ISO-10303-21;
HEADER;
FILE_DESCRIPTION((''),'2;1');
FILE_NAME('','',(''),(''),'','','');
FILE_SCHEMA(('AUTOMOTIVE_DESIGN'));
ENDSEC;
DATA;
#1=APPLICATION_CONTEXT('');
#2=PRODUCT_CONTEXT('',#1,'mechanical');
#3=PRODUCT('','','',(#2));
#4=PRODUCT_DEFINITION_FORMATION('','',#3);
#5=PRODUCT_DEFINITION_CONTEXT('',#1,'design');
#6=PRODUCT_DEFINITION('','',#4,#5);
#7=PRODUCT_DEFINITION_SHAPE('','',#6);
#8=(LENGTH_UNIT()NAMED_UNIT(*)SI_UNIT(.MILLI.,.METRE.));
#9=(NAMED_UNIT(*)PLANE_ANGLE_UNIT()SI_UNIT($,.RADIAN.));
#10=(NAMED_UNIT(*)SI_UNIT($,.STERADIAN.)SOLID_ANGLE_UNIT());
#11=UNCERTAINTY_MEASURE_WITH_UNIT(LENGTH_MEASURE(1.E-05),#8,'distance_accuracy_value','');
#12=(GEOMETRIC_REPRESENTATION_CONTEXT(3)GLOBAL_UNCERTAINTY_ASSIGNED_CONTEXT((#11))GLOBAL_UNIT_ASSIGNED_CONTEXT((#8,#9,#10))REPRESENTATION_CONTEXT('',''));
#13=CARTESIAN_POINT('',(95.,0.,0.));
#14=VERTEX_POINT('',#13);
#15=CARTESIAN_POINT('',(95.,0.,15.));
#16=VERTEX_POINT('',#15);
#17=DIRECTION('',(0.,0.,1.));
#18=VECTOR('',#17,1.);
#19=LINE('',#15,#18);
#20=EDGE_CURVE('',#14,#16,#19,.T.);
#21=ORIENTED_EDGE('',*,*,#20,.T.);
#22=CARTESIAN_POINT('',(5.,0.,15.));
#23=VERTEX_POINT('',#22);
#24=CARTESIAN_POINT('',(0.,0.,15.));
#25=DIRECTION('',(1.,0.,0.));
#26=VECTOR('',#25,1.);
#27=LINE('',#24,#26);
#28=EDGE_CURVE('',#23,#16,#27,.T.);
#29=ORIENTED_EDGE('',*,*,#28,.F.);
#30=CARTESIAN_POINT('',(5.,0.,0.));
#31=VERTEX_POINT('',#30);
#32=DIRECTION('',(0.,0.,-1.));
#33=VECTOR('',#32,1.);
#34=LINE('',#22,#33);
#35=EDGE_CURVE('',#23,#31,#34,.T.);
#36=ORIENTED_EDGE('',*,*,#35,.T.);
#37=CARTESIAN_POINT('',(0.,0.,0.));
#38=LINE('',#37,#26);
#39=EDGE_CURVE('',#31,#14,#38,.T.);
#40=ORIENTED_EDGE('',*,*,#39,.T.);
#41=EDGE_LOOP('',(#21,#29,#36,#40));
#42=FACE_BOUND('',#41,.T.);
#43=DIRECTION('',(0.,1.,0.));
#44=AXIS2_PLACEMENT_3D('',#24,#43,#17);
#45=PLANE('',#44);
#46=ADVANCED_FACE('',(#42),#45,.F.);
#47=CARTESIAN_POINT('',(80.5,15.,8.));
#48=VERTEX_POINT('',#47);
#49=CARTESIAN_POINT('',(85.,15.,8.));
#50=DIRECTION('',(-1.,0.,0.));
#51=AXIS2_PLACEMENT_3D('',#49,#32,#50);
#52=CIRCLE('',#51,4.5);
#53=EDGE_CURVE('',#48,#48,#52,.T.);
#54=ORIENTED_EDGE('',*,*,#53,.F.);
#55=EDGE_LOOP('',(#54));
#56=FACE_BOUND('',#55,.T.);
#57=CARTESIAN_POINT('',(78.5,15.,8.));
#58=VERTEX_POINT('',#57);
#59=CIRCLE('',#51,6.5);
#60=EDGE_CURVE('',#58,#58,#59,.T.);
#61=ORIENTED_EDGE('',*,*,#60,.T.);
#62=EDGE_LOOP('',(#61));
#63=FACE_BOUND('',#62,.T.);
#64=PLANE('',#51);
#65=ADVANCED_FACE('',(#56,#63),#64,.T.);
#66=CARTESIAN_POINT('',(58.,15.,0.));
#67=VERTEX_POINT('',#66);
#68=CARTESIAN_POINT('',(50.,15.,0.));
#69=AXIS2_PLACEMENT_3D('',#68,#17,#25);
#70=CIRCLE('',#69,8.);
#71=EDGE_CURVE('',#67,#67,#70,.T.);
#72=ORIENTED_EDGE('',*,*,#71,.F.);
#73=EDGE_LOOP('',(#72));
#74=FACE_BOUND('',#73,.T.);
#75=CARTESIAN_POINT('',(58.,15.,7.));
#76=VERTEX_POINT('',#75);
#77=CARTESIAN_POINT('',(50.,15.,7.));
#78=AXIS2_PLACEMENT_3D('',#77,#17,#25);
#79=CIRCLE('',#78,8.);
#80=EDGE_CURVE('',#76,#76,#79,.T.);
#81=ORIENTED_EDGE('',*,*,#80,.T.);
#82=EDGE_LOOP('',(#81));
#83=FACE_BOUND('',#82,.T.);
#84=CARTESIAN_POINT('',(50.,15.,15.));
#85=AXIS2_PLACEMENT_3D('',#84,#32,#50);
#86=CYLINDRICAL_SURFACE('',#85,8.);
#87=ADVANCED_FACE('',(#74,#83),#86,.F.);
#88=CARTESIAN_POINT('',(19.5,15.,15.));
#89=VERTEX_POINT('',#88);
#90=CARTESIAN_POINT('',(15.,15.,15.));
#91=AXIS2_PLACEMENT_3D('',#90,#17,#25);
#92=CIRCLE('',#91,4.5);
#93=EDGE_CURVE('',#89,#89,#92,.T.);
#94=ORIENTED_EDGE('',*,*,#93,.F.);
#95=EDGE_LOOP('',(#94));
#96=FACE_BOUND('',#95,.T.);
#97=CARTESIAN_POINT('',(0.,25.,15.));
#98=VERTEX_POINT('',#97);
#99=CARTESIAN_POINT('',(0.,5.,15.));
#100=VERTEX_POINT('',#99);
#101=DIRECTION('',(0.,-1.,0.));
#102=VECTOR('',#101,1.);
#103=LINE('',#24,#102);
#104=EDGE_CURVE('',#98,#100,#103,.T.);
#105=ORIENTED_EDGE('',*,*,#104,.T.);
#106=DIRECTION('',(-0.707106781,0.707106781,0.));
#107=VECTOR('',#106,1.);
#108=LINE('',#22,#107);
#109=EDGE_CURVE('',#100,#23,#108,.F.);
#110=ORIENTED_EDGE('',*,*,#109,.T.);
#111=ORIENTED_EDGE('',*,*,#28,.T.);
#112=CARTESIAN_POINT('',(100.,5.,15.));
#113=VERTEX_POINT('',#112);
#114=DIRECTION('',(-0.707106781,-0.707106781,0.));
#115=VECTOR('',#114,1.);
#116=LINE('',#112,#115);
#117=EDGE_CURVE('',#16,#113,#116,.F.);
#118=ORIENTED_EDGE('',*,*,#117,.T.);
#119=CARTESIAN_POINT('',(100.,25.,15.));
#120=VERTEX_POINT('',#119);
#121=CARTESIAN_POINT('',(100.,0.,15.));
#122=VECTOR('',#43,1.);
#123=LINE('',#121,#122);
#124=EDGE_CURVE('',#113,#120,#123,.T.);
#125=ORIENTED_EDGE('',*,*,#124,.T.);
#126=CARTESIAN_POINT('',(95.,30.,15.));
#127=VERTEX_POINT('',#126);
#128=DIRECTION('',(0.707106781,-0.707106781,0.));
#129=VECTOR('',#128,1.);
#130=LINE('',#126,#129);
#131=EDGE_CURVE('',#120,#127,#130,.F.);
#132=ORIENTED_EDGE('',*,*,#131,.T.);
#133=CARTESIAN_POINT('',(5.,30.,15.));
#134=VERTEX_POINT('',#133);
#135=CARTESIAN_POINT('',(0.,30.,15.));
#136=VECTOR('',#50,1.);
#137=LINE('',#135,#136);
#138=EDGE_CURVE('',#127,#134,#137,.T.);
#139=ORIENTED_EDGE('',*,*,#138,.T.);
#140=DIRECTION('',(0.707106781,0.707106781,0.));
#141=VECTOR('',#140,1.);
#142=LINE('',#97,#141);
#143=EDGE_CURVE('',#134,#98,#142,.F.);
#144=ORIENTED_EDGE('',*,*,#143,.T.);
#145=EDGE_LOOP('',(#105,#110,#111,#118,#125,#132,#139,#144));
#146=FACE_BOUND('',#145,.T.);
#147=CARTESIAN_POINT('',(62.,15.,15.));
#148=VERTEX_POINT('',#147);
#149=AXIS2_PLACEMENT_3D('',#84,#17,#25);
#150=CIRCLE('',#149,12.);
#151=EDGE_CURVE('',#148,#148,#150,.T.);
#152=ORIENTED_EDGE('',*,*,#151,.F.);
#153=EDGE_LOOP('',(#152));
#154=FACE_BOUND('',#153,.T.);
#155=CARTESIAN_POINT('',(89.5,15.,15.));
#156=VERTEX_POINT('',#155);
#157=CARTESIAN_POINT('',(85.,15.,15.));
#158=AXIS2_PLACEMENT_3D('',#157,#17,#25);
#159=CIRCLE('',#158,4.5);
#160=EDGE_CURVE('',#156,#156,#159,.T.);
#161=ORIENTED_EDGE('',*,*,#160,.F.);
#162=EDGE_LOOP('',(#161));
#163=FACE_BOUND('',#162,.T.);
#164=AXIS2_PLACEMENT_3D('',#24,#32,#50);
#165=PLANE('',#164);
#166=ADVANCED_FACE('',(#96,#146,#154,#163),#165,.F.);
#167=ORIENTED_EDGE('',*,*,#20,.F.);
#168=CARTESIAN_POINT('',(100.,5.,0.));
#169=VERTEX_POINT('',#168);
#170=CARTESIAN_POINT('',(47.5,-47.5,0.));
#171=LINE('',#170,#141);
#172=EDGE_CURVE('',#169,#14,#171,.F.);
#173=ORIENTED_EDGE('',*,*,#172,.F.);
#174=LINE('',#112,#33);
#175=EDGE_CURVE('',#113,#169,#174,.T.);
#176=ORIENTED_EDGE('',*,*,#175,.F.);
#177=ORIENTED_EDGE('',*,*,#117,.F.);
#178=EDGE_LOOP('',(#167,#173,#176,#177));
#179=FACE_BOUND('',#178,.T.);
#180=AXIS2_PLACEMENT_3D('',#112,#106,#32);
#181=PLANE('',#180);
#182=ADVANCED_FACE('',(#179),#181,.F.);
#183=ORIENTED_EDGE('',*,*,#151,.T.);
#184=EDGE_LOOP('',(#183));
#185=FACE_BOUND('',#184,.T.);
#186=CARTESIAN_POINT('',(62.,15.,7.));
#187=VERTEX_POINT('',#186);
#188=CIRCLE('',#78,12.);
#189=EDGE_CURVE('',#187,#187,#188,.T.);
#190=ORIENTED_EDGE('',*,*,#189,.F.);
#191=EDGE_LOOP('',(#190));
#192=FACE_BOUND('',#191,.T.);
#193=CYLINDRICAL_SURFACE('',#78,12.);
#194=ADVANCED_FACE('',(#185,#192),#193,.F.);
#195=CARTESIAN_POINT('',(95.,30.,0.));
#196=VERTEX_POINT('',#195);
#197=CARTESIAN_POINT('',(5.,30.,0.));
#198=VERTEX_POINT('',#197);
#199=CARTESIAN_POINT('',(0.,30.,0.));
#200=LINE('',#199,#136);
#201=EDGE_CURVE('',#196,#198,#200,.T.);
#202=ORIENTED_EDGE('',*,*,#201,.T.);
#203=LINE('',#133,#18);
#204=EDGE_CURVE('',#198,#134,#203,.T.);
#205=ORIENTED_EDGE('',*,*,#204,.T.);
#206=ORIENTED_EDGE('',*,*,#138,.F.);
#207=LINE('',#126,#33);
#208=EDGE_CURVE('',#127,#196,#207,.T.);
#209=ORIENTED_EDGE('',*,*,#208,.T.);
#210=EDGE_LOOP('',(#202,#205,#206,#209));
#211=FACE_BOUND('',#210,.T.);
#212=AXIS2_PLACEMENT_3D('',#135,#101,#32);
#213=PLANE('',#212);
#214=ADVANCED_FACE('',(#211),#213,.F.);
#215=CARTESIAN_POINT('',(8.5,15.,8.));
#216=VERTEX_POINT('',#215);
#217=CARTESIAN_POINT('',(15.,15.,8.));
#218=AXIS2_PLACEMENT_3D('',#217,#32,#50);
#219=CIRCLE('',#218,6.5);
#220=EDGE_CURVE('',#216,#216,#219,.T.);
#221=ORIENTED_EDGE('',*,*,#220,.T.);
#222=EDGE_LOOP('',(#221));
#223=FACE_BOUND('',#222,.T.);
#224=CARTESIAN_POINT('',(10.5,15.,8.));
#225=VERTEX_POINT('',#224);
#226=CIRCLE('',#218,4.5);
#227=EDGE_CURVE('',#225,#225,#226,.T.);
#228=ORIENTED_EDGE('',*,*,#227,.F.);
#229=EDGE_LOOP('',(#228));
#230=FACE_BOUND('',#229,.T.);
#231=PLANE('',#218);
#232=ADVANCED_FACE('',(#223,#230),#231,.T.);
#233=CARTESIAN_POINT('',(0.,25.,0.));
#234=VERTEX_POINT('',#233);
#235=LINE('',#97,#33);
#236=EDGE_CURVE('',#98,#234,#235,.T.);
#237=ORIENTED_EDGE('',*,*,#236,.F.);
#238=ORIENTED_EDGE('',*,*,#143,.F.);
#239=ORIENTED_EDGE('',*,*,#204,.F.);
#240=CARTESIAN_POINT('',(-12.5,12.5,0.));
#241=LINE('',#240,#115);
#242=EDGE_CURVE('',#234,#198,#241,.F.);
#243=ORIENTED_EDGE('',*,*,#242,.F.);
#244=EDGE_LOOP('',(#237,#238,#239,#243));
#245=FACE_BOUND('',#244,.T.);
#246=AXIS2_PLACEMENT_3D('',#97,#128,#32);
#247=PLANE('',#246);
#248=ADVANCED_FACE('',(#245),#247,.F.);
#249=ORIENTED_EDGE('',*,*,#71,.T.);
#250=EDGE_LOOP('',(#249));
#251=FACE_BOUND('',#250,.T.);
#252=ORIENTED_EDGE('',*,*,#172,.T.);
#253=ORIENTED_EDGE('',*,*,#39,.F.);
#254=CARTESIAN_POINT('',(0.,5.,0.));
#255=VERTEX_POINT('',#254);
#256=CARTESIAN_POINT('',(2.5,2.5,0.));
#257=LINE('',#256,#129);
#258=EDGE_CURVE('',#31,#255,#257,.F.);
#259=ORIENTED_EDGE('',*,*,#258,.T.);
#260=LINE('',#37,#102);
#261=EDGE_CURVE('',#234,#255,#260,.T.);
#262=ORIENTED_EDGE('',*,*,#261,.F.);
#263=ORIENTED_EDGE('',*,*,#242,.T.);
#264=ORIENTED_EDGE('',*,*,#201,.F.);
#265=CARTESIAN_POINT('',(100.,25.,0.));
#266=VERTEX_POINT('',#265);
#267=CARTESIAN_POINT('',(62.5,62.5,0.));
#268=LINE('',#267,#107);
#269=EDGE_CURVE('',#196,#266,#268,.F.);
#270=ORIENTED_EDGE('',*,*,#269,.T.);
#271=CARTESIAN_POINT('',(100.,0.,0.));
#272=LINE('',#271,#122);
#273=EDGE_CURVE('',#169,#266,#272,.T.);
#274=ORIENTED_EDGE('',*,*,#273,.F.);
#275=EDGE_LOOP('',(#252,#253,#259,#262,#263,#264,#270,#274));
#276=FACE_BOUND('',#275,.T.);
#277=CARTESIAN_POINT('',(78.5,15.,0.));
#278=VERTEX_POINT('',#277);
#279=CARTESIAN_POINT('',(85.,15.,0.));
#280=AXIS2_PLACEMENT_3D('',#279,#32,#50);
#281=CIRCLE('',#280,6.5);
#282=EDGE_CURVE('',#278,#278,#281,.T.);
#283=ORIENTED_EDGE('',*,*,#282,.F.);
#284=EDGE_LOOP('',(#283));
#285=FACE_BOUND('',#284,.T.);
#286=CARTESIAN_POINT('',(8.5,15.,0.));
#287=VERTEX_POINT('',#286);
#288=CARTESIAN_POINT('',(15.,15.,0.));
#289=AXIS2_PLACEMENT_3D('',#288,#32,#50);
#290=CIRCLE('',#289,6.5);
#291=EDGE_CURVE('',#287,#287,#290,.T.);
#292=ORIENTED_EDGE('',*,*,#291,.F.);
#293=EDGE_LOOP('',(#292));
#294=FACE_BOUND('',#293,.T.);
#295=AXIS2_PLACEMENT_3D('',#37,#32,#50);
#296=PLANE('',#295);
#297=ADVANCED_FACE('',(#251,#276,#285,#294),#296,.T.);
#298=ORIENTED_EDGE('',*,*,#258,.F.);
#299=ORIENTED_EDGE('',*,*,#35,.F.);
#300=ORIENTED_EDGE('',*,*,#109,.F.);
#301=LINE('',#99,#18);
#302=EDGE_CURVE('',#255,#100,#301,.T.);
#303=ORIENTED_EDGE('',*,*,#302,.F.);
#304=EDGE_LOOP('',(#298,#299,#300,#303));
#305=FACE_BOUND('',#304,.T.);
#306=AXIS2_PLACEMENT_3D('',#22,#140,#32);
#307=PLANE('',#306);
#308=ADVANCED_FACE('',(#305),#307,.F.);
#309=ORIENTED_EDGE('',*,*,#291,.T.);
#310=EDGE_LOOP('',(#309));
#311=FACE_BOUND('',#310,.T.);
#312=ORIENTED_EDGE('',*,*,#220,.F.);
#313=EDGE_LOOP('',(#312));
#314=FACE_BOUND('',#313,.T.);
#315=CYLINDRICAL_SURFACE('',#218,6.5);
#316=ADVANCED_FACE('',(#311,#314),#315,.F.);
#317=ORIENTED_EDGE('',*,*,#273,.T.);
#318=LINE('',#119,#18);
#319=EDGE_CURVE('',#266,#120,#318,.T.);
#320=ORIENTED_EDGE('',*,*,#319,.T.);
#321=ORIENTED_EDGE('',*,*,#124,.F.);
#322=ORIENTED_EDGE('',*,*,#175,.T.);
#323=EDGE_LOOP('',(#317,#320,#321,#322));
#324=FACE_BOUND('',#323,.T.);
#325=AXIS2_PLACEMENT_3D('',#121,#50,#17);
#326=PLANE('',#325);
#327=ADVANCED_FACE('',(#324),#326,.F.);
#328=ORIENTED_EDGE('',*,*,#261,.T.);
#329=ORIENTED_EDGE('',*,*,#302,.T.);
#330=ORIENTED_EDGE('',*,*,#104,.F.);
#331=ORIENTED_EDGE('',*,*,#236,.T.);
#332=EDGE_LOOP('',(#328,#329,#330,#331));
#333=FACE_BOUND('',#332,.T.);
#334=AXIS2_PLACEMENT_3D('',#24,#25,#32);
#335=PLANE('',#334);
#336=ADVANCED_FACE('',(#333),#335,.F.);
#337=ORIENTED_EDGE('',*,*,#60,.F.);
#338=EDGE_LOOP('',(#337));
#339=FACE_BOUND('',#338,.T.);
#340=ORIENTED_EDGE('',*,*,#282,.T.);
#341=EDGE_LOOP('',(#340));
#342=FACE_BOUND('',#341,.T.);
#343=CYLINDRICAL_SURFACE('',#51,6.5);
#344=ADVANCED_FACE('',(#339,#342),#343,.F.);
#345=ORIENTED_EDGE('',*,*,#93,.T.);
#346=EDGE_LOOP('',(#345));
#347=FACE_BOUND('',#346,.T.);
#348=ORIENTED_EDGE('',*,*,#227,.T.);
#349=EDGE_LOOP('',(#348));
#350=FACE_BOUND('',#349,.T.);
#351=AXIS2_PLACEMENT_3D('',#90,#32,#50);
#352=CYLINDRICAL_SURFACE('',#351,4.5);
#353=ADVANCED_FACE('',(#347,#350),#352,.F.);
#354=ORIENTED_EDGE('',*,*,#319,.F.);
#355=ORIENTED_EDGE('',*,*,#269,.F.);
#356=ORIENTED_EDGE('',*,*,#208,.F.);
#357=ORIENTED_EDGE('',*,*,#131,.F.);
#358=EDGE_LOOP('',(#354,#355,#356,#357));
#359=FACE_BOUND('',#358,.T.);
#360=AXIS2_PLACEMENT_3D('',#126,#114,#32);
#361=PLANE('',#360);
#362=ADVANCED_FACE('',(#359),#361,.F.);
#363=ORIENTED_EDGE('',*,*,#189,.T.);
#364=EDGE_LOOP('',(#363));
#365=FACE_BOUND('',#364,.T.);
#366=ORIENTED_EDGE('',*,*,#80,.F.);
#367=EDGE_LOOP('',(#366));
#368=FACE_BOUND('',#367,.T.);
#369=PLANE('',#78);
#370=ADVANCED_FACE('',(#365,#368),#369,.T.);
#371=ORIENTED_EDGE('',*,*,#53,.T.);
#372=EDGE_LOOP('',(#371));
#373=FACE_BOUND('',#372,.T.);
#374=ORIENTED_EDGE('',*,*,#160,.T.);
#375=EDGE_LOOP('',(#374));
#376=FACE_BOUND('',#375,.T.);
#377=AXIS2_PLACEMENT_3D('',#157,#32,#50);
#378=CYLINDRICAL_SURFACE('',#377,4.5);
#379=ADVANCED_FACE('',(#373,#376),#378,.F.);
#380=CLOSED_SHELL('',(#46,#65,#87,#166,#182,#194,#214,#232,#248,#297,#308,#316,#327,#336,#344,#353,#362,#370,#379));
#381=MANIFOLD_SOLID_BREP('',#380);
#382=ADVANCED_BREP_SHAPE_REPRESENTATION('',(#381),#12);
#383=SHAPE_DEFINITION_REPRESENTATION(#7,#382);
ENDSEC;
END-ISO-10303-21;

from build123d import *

# Parameters (mm, degrees)
SKETCH_1_W          = 100
SKETCH_1_H          = 30
SKETCH_1_R          = 4.5
SKETCH_1_R_2        = 8
EXTRUDE_1_DEPTH     = 15
SKETCH_2_R          = 12
CUT_EXTRUDE_1_DEPTH = 8
SKETCH_3_R          = 6.5
CUT_EXTRUDE_2_DEPTH = 8
CHAMFER_1_SIZE      = 5


with BuildPart() as part:
    # 草图1 → 凸台-拉伸1 (new body)
    with BuildSketch(Plane.XY):
        with Locations((50, 15)):
            Rectangle(SKETCH_1_W, SKETCH_1_H)
        with Locations((15, 15)):
            Circle(SKETCH_1_R, mode=Mode.SUBTRACT)
        with Locations((50, 15)):
            Circle(SKETCH_1_R_2, mode=Mode.SUBTRACT)
        with Locations((85, 15)):
            Circle(SKETCH_1_R, mode=Mode.SUBTRACT)
    extrude(amount=EXTRUDE_1_DEPTH)

    # 草图2 → 切除-拉伸1 (cut)
    with BuildSketch(Plane.XY.offset(15)):
        with Locations((50, 15)):
            Circle(SKETCH_2_R)
    extrude(amount=-CUT_EXTRUDE_1_DEPTH, mode=Mode.SUBTRACT)

    # 草图3 → 切除-拉伸2 (cut)
    with BuildSketch(Plane(origin=(0, 0, 0), x_dir=(-1, 0, 0), z_dir=(0, 0, -1))):
        with Locations((-85, 15)):
            Circle(SKETCH_3_R)
        with Locations((-15, 15)):
            Circle(SKETCH_3_R)
    extrude(amount=-CUT_EXTRUDE_2_DEPTH, mode=Mode.SUBTRACT)

    # 倒角1
    chamfer_1_edges = [part.edges().sort_by_distance(p)[0] for p in [
        (0, 30, 7.5),
        (100, 30, 7.5),
        (100, 0, 7.5),
        (0, 0, 7.5),
    ]]
    chamfer(chamfer_1_edges, length=CHAMFER_1_SIZE)


solid = part.part
